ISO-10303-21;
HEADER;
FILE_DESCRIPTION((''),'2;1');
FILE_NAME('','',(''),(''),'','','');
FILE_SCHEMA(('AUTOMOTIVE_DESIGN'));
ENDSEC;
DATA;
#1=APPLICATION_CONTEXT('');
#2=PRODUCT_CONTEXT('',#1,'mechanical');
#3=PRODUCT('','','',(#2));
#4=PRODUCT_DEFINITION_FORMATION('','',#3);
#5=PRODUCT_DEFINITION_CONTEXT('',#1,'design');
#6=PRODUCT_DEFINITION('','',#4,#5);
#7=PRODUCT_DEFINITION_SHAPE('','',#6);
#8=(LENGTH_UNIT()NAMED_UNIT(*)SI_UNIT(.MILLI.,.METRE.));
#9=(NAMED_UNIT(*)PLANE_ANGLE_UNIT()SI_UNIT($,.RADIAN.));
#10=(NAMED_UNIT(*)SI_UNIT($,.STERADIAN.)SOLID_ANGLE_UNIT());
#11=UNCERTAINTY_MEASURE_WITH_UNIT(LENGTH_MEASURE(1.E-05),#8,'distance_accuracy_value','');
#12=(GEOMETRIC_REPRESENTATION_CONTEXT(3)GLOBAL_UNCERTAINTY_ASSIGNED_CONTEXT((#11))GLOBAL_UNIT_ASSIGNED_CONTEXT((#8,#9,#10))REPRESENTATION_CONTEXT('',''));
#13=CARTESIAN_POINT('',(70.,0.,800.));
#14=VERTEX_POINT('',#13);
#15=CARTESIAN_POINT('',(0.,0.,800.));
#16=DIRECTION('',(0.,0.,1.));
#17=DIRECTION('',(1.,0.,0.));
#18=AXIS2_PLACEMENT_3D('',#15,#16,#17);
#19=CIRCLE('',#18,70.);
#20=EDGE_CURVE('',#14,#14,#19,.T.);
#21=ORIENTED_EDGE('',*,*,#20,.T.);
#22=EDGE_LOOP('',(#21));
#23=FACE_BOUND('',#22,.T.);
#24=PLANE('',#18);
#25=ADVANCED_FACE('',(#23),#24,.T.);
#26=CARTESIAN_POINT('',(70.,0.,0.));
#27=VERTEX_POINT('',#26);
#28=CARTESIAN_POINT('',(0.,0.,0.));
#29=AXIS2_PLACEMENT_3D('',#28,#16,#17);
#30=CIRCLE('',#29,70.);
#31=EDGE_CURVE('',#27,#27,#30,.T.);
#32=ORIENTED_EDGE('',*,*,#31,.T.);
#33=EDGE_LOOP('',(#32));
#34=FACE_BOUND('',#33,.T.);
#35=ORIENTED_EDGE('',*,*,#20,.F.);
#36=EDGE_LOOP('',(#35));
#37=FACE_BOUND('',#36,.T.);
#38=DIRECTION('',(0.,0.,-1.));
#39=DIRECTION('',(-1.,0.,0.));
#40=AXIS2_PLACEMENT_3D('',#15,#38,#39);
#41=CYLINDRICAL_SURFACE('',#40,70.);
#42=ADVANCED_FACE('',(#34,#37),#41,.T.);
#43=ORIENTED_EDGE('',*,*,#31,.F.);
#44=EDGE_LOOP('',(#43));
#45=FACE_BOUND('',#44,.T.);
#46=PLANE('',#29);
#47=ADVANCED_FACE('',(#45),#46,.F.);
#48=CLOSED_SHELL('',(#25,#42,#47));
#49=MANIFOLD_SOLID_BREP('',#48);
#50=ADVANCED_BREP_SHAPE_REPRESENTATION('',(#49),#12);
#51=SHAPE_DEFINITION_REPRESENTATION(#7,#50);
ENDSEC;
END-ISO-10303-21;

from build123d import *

# Parameters (mm, degrees)
SKETCH_1_R      = 70
EXTRUDE_1_DEPTH = 800


with BuildPart() as part:
    # 草图1 → 凸台-拉伸1 (new body)
    with BuildSketch(Plane.XY):
        Circle(SKETCH_1_R)
    extrude(amount=EXTRUDE_1_DEPTH)


solid = part.part
